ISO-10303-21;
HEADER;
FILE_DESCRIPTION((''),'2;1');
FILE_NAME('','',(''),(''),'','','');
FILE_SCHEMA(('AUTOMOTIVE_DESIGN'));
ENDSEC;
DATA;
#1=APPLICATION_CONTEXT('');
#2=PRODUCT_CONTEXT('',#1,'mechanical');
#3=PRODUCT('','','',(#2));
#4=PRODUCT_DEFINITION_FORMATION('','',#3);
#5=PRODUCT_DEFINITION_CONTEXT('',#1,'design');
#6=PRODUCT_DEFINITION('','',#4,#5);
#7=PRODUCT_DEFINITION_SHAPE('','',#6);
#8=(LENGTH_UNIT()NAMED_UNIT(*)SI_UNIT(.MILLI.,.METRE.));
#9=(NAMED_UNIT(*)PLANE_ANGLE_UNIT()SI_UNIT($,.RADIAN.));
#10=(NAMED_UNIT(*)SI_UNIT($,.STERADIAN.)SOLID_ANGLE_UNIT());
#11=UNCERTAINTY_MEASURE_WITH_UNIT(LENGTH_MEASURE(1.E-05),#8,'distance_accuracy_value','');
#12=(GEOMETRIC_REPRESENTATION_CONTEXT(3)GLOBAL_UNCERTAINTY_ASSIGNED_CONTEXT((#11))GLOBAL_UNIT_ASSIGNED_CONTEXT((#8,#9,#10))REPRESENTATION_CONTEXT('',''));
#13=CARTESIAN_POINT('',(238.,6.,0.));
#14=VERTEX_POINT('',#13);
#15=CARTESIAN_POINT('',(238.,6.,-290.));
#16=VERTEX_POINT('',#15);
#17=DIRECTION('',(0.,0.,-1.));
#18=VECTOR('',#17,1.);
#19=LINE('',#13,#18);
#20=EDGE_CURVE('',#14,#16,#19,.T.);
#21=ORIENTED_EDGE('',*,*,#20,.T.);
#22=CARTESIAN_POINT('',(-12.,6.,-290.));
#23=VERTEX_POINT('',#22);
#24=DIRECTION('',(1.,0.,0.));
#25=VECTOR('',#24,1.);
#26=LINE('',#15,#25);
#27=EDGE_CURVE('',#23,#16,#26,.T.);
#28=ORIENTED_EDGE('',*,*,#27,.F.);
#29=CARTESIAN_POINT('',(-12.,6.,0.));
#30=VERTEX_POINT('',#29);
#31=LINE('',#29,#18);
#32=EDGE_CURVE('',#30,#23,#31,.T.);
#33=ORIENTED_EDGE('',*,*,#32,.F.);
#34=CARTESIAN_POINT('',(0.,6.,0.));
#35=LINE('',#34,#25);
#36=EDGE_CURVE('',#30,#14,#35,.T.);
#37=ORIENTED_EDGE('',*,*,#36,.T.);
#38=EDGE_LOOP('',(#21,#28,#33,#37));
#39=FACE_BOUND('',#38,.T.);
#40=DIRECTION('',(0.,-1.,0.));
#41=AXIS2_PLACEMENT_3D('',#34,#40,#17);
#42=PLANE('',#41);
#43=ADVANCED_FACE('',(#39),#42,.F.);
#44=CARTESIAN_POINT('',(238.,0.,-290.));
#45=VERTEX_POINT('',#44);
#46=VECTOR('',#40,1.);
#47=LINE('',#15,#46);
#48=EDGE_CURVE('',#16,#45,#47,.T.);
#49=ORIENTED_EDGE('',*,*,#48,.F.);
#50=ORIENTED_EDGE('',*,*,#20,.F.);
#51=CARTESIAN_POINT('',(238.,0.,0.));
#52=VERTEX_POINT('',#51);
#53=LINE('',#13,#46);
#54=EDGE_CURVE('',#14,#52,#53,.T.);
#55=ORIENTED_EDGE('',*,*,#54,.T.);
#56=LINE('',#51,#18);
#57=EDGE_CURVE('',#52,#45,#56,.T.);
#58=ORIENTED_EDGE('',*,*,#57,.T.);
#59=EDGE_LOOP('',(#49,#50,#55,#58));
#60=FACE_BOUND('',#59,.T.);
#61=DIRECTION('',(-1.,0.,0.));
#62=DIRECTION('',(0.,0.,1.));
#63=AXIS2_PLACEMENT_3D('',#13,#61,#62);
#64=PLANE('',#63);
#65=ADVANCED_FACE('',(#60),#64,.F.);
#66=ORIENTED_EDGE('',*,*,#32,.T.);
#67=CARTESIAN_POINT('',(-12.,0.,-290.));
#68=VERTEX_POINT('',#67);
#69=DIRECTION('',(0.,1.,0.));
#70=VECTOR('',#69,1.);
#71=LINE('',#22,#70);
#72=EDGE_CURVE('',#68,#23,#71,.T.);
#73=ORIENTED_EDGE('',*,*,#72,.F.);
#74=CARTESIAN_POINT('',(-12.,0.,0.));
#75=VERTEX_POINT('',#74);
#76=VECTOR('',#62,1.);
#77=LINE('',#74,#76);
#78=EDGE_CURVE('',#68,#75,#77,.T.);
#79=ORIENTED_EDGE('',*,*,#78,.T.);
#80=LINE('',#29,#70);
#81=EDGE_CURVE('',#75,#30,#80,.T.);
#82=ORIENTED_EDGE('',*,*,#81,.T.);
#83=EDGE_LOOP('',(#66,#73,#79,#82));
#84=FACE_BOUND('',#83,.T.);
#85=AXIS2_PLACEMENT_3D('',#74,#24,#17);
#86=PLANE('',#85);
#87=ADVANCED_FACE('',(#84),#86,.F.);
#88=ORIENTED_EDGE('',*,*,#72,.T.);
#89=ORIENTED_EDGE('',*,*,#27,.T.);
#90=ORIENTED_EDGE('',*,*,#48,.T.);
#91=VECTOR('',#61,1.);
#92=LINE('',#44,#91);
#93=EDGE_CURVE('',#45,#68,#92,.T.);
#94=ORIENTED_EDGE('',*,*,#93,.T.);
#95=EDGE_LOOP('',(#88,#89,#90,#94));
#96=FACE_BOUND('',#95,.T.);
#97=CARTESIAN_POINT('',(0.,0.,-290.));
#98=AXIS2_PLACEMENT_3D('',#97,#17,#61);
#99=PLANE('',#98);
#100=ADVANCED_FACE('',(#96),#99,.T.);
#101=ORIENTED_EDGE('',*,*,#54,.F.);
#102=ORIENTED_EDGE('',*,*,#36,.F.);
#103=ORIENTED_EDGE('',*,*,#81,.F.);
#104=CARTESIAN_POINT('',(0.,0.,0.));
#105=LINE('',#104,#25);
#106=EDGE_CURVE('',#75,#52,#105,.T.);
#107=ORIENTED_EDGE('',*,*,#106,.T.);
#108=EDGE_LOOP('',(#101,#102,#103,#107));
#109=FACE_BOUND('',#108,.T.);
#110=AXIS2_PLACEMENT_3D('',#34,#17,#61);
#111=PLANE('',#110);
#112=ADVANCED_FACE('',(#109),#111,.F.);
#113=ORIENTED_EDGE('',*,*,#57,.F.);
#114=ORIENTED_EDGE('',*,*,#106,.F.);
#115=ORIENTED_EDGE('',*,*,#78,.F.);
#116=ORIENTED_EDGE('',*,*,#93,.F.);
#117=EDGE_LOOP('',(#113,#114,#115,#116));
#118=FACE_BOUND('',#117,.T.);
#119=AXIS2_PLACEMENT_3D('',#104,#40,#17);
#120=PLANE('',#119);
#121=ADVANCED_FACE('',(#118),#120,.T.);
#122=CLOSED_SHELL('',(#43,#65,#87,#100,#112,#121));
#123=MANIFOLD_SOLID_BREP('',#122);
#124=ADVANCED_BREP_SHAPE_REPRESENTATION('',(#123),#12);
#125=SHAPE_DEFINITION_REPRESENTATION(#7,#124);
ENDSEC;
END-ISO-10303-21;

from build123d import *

# Parameters (mm, degrees)
ESBO_O1_W                = 238
ESBO_O1_H                = 250
RESSALTO_EXTRUS_O1_DEPTH = 6
ESBO_O2_W                = 250
ESBO_O2_H                = 6
RESSALTO_EXTRUS_O2_DEPTH = 12
ESBO_O3_W                = 250
ESBO_O3_H                = 6
RESSALTO_EXTRUS_O3_DEPTH = 40


with BuildPart() as part:
    # Esboço1 → Ressalto-extrusão1 (new body)
    with BuildSketch(Plane(origin=(0, 0, 0), x_dir=(1, 0, 0), z_dir=(0, 1, 0))):
        with Locations((119, 125)):
            Rectangle(ESBO_O1_W, ESBO_O1_H)
    extrude(amount=RESSALTO_EXTRUS_O1_DEPTH)

    # Esboço2 → Ressalto-extrusão2 (add)
    with BuildSketch(Plane.ZY):
        with Locations((-125, 3)):
            Rectangle(ESBO_O2_W, ESBO_O2_H)
    extrude(amount=RESSALTO_EXTRUS_O2_DEPTH)

    # Esboço3 → Ressalto-extrusão3 (add)
    with BuildSketch(Plane(origin=(0, 0, -250), x_dir=(-1, 0, 0), z_dir=(0, 0, -1))):
        with Locations((-113, 3)):
            Rectangle(ESBO_O3_W, ESBO_O3_H)
    extrude(amount=RESSALTO_EXTRUS_O3_DEPTH)


solid = part.part
